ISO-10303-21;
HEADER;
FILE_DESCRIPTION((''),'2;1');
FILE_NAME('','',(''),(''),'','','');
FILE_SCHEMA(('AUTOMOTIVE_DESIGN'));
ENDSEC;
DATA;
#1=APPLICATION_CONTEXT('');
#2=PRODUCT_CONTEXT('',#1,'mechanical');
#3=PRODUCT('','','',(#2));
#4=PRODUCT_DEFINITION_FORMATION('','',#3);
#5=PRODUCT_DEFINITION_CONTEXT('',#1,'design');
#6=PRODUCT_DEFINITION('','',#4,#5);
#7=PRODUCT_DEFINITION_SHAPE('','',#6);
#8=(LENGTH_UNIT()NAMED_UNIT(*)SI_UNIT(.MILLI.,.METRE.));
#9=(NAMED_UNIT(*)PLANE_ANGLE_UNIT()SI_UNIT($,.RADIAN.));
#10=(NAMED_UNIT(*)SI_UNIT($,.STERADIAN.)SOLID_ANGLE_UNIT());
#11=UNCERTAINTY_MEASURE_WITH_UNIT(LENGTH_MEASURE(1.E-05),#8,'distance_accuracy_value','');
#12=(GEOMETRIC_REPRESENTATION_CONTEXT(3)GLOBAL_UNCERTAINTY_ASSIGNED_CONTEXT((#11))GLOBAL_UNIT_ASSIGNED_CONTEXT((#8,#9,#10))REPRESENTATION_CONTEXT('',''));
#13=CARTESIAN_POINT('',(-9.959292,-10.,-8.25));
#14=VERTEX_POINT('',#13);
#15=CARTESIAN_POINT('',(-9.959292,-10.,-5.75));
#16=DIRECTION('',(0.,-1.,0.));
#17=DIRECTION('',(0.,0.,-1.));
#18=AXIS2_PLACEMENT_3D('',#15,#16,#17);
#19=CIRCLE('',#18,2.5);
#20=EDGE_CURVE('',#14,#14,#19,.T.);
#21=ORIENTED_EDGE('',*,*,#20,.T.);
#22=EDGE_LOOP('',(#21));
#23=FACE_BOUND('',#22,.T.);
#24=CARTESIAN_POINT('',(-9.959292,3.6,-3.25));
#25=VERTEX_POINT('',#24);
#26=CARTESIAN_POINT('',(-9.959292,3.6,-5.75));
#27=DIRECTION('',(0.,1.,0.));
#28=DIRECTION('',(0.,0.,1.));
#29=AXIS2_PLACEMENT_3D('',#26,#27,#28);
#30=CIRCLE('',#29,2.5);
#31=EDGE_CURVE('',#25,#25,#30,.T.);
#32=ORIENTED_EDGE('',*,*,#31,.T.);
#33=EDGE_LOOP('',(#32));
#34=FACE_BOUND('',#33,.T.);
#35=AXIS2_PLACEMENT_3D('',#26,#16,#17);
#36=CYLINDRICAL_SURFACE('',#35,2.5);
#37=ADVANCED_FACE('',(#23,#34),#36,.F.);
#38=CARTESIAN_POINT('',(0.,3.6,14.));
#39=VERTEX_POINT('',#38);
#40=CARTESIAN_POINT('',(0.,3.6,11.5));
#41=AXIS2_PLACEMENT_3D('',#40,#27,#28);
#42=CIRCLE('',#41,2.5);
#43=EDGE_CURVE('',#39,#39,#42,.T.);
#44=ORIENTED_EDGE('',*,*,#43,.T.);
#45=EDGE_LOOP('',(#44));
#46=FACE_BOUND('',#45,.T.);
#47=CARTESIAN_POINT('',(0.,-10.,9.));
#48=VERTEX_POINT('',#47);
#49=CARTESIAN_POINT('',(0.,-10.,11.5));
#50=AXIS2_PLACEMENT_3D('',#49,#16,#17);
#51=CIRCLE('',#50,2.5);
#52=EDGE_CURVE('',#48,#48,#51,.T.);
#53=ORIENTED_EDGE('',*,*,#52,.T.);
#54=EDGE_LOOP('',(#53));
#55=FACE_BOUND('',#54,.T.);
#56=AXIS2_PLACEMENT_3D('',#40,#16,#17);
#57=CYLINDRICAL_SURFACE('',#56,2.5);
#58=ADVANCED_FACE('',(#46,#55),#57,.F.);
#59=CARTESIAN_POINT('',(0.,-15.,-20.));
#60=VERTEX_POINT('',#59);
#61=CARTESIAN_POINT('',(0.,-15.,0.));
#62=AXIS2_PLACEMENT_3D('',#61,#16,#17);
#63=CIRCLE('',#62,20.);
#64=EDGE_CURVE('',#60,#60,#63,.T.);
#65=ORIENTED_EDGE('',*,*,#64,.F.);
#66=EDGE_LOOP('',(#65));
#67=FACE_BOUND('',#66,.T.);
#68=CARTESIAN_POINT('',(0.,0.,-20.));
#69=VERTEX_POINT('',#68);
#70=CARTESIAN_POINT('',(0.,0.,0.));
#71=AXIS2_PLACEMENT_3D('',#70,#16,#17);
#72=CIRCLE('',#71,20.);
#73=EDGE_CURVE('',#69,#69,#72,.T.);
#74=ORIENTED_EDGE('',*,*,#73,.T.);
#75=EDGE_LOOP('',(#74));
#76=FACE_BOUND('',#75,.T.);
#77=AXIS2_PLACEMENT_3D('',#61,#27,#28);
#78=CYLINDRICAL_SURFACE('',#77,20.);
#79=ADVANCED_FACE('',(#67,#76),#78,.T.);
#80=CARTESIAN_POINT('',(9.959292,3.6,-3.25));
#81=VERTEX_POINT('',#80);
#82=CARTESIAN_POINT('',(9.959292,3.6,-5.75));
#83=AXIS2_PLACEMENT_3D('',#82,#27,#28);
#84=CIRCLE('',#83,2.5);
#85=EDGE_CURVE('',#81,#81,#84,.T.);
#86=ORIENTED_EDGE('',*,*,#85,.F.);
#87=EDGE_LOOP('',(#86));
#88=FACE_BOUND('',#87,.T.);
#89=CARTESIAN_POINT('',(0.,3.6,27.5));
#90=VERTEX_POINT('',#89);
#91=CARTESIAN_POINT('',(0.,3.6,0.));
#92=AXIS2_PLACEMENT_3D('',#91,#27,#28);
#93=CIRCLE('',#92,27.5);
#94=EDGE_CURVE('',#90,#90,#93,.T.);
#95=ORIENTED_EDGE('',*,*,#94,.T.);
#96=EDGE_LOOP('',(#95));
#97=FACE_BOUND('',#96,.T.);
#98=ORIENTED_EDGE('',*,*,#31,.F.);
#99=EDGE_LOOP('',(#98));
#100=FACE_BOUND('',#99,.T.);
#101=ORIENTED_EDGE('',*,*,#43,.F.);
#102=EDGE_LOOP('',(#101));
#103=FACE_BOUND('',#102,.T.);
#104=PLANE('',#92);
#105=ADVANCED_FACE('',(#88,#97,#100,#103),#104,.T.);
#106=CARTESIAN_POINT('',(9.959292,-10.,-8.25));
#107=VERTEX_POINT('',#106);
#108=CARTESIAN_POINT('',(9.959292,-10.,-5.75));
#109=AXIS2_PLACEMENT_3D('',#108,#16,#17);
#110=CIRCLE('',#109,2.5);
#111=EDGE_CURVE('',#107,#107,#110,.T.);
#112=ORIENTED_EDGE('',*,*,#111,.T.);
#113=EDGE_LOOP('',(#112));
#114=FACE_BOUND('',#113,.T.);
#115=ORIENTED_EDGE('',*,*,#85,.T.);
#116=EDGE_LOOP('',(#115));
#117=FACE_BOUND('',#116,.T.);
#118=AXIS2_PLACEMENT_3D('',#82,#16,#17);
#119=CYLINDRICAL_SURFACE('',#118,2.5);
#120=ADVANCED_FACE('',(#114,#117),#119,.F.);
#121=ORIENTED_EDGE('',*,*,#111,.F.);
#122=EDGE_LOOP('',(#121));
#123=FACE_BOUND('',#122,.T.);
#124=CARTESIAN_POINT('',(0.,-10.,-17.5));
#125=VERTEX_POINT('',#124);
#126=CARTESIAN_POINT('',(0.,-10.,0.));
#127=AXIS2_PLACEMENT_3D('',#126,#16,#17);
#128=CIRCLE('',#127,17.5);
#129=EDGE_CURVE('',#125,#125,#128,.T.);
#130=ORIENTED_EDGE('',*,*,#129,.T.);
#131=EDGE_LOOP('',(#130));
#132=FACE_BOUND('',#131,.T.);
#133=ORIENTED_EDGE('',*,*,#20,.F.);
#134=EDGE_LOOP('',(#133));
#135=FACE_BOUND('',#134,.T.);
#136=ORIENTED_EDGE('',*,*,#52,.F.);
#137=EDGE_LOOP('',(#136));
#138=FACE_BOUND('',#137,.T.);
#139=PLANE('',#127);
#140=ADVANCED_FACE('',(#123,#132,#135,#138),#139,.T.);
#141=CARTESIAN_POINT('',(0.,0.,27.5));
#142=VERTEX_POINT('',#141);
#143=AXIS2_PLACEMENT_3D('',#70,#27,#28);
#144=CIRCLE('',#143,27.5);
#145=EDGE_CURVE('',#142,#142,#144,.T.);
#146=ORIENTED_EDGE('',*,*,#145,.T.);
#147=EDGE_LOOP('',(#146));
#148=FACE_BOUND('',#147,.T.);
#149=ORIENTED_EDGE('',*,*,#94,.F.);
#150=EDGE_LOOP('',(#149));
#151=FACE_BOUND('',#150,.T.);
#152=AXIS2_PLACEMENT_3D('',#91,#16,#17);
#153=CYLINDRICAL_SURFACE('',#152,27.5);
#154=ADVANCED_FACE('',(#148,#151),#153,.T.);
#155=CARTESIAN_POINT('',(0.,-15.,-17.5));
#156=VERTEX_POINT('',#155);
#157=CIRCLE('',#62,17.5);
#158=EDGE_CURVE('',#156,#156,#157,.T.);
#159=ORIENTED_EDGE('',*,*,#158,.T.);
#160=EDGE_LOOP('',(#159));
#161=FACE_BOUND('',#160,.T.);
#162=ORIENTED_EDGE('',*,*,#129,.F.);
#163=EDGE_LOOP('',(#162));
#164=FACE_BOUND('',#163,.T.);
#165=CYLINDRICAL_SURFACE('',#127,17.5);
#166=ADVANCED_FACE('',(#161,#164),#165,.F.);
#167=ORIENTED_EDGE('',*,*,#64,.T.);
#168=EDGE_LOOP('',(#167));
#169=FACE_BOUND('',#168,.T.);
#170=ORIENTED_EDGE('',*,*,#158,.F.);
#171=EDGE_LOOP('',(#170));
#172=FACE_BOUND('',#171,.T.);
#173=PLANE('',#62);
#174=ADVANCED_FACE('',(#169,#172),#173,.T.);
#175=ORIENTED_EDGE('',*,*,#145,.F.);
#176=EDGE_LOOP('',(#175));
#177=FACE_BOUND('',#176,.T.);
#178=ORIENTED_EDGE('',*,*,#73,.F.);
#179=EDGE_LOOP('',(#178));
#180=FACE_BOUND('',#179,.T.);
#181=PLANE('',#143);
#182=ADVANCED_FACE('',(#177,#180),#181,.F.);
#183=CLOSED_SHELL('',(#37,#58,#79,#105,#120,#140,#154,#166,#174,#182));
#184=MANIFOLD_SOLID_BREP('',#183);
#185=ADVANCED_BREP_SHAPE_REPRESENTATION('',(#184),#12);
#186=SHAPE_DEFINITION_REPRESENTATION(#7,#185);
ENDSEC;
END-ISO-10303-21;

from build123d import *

# Parameters (mm, degrees)
SKETCH1_R           = 27.5
SKETCH1_R_2         = 2.5
BOSS_EXTRUDE1_DEPTH = 3.6
SKETCH2_R           = 20
SKETCH2_R_2         = 2.5
BOSS_EXTRUDE2_DEPTH = 15
SKETCH3_R           = 17.5
CUT_EXTRUDE1_DEPTH  = 5


with BuildPart() as part:
    # Sketch1 → Boss-Extrude1 (new body)
    with BuildSketch(Plane(origin=(0, 0, 0), x_dir=(1, 0, 0), z_dir=(0, 1, 0))):
        Circle(SKETCH1_R)
        with Locations((-9.959292144, 5.75)):
            Circle(SKETCH1_R_2, mode=Mode.SUBTRACT)
        with Locations((9.959292144, 5.75)):
            Circle(SKETCH1_R_2, mode=Mode.SUBTRACT)
        with Locations((0, -11.5)):
            Circle(SKETCH1_R_2, mode=Mode.SUBTRACT)
    extrude(amount=BOSS_EXTRUDE1_DEPTH)

    # Sketch2 → Boss-Extrude2 (add)
    with BuildSketch(Plane.XZ):
        Circle(SKETCH2_R)
        with Locations((0, 11.5)):
            Circle(SKETCH2_R_2, mode=Mode.SUBTRACT)
        with Locations((9.959292144, -5.75)):
            Circle(SKETCH2_R_2, mode=Mode.SUBTRACT)
        with Locations((-9.959292144, -5.75)):
            Circle(SKETCH2_R_2, mode=Mode.SUBTRACT)
    extrude(amount=BOSS_EXTRUDE2_DEPTH)

    # Sketch3 → Cut-Extrude1 (cut)
    with BuildSketch(Plane.XZ.offset(15)):
        Circle(SKETCH3_R)
    extrude(amount=-CUT_EXTRUDE1_DEPTH, mode=Mode.SUBTRACT)


solid = part.part
